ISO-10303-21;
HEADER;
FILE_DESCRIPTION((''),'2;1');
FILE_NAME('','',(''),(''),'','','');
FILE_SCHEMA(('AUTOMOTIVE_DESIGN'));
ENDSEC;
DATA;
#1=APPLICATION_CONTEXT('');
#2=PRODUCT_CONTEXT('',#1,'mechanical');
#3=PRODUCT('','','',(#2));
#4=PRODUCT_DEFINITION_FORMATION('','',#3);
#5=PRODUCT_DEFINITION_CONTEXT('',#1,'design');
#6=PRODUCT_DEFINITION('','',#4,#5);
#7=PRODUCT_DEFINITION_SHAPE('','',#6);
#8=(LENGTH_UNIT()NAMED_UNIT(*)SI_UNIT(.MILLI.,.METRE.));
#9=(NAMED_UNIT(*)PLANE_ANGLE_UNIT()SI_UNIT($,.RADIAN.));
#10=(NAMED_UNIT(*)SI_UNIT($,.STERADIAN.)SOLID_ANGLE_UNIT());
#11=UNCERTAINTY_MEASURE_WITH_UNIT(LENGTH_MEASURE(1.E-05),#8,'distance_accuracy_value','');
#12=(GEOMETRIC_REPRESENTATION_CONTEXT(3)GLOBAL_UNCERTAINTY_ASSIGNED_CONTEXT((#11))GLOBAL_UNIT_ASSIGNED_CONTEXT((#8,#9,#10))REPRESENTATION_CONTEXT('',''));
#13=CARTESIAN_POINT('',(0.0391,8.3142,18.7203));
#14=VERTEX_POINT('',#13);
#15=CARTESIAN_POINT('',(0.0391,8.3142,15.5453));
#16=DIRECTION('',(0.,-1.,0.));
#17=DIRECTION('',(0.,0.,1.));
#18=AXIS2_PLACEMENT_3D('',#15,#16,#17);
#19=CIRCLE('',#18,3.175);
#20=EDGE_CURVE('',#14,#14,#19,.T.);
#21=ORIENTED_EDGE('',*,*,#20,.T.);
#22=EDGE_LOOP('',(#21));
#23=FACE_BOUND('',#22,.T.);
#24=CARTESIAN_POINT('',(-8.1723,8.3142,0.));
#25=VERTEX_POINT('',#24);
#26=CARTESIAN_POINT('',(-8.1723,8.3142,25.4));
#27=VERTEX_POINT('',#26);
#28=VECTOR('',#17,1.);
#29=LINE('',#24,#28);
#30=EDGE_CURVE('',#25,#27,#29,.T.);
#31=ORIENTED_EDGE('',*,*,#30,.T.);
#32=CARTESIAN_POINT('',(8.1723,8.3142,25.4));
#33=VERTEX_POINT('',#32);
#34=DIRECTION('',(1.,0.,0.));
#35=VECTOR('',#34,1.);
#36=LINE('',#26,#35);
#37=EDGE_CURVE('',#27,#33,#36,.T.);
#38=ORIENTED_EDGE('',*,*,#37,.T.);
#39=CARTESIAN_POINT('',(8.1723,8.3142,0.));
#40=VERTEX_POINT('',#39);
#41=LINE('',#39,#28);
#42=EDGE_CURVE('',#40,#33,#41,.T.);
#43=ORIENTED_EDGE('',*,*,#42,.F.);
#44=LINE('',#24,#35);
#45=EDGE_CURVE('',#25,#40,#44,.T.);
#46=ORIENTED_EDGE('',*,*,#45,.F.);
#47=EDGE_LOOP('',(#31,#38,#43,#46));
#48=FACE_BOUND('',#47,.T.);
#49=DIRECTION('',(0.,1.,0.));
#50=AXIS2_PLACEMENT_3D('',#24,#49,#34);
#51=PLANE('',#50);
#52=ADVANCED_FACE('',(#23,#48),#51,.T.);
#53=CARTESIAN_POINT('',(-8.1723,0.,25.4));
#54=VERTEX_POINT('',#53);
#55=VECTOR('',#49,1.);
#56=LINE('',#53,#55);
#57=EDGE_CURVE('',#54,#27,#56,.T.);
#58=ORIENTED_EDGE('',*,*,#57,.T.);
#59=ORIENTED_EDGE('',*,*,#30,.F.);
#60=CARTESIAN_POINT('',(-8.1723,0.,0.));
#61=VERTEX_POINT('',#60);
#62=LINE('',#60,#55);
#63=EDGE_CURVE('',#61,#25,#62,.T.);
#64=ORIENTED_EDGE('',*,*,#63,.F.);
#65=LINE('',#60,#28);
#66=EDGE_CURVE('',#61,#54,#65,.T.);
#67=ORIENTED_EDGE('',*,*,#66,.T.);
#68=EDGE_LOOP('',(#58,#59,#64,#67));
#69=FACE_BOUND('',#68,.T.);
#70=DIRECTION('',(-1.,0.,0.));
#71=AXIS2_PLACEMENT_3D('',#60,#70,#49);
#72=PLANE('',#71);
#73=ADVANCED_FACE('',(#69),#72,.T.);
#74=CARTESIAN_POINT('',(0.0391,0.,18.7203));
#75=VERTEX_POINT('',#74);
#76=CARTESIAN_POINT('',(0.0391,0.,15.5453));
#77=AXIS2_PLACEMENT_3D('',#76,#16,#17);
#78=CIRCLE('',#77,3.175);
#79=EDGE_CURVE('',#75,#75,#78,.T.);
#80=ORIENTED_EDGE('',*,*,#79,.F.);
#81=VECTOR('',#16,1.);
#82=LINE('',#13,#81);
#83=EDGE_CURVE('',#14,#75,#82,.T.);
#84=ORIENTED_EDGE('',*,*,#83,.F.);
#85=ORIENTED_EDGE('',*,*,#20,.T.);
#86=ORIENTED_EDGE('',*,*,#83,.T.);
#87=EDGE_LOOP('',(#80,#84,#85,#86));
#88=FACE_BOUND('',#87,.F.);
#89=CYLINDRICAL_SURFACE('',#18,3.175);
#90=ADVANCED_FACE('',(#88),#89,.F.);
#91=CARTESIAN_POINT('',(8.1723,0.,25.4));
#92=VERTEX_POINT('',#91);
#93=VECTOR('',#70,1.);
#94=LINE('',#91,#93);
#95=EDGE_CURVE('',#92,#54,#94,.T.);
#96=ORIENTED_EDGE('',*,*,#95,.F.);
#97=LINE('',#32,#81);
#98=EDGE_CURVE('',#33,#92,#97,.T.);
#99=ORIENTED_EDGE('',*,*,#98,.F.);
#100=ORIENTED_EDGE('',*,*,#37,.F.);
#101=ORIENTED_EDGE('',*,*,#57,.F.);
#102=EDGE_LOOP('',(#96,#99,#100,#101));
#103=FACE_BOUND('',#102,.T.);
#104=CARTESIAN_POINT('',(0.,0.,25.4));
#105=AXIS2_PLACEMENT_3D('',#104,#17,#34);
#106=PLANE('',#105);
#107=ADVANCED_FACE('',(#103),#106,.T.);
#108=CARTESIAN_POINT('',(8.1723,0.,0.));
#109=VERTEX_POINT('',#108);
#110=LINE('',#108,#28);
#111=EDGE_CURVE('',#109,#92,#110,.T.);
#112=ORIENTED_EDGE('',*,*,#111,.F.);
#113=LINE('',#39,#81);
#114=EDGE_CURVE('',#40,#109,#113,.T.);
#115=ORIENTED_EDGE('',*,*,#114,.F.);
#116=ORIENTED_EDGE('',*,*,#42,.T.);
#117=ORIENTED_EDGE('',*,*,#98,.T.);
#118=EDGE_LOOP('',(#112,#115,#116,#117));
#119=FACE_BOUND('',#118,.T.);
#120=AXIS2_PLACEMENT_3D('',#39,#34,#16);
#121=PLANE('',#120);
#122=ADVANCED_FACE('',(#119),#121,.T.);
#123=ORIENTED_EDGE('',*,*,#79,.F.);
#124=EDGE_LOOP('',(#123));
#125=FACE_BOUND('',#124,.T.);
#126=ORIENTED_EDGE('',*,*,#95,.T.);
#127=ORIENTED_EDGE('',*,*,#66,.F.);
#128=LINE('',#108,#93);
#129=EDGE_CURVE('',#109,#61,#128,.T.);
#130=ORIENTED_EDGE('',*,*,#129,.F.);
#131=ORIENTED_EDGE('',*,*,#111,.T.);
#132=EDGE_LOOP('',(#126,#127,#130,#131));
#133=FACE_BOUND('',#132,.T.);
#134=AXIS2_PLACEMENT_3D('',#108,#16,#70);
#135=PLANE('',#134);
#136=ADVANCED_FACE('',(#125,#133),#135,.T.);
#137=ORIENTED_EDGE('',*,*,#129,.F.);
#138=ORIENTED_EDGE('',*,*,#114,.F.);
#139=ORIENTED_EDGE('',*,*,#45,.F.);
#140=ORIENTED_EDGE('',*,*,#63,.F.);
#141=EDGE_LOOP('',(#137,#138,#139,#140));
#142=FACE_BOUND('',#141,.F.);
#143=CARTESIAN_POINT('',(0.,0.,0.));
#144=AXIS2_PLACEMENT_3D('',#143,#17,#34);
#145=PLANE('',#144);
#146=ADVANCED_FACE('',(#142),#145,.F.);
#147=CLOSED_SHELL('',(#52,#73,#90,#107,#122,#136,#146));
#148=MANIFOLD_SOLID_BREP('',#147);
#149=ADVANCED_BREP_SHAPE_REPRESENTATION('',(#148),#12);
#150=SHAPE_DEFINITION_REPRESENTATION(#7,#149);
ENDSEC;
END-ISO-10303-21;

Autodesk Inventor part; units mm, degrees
ref_plane "YZ Plane" through (0, 0, 0) normal (1, 0, 0) x (0, 1, 0)
ref_plane "XZ Plane" through (0, 0, 0) normal (0, 1, 0) x (-1, 0, 0)
ref_plane "XY Plane" through (0, 0, 0) normal (0, 0, 1) x (1, 0, 0)
sketch "Sketch1" plane through (0, 0, 0) normal (0, 0, 1) x (1, 0, 0)
  line L0 (-8.1723, 8.3142) -> (8.1723, 8.3142)
  line L1 (8.1723, 8.3142) -> (8.1723, 0)
  line L2 (8.1723, 0) -> (-8.1723, 0)
  line L3 (-8.1723, 0) -> (-8.1723, 8.3142)
  point P0 (0, 0)
  point P1 (0, 0)
  dimension "d0" = 16.3445
  dimension "d1" = 8.3142
extrude "Extrusion1" add sketch "Sketch1" along normal blind 25.4
hole "Hole1" at (0.0391, 8.3142, 15.5453) direction (0, -1, 0) diameter 6.35 end through all
